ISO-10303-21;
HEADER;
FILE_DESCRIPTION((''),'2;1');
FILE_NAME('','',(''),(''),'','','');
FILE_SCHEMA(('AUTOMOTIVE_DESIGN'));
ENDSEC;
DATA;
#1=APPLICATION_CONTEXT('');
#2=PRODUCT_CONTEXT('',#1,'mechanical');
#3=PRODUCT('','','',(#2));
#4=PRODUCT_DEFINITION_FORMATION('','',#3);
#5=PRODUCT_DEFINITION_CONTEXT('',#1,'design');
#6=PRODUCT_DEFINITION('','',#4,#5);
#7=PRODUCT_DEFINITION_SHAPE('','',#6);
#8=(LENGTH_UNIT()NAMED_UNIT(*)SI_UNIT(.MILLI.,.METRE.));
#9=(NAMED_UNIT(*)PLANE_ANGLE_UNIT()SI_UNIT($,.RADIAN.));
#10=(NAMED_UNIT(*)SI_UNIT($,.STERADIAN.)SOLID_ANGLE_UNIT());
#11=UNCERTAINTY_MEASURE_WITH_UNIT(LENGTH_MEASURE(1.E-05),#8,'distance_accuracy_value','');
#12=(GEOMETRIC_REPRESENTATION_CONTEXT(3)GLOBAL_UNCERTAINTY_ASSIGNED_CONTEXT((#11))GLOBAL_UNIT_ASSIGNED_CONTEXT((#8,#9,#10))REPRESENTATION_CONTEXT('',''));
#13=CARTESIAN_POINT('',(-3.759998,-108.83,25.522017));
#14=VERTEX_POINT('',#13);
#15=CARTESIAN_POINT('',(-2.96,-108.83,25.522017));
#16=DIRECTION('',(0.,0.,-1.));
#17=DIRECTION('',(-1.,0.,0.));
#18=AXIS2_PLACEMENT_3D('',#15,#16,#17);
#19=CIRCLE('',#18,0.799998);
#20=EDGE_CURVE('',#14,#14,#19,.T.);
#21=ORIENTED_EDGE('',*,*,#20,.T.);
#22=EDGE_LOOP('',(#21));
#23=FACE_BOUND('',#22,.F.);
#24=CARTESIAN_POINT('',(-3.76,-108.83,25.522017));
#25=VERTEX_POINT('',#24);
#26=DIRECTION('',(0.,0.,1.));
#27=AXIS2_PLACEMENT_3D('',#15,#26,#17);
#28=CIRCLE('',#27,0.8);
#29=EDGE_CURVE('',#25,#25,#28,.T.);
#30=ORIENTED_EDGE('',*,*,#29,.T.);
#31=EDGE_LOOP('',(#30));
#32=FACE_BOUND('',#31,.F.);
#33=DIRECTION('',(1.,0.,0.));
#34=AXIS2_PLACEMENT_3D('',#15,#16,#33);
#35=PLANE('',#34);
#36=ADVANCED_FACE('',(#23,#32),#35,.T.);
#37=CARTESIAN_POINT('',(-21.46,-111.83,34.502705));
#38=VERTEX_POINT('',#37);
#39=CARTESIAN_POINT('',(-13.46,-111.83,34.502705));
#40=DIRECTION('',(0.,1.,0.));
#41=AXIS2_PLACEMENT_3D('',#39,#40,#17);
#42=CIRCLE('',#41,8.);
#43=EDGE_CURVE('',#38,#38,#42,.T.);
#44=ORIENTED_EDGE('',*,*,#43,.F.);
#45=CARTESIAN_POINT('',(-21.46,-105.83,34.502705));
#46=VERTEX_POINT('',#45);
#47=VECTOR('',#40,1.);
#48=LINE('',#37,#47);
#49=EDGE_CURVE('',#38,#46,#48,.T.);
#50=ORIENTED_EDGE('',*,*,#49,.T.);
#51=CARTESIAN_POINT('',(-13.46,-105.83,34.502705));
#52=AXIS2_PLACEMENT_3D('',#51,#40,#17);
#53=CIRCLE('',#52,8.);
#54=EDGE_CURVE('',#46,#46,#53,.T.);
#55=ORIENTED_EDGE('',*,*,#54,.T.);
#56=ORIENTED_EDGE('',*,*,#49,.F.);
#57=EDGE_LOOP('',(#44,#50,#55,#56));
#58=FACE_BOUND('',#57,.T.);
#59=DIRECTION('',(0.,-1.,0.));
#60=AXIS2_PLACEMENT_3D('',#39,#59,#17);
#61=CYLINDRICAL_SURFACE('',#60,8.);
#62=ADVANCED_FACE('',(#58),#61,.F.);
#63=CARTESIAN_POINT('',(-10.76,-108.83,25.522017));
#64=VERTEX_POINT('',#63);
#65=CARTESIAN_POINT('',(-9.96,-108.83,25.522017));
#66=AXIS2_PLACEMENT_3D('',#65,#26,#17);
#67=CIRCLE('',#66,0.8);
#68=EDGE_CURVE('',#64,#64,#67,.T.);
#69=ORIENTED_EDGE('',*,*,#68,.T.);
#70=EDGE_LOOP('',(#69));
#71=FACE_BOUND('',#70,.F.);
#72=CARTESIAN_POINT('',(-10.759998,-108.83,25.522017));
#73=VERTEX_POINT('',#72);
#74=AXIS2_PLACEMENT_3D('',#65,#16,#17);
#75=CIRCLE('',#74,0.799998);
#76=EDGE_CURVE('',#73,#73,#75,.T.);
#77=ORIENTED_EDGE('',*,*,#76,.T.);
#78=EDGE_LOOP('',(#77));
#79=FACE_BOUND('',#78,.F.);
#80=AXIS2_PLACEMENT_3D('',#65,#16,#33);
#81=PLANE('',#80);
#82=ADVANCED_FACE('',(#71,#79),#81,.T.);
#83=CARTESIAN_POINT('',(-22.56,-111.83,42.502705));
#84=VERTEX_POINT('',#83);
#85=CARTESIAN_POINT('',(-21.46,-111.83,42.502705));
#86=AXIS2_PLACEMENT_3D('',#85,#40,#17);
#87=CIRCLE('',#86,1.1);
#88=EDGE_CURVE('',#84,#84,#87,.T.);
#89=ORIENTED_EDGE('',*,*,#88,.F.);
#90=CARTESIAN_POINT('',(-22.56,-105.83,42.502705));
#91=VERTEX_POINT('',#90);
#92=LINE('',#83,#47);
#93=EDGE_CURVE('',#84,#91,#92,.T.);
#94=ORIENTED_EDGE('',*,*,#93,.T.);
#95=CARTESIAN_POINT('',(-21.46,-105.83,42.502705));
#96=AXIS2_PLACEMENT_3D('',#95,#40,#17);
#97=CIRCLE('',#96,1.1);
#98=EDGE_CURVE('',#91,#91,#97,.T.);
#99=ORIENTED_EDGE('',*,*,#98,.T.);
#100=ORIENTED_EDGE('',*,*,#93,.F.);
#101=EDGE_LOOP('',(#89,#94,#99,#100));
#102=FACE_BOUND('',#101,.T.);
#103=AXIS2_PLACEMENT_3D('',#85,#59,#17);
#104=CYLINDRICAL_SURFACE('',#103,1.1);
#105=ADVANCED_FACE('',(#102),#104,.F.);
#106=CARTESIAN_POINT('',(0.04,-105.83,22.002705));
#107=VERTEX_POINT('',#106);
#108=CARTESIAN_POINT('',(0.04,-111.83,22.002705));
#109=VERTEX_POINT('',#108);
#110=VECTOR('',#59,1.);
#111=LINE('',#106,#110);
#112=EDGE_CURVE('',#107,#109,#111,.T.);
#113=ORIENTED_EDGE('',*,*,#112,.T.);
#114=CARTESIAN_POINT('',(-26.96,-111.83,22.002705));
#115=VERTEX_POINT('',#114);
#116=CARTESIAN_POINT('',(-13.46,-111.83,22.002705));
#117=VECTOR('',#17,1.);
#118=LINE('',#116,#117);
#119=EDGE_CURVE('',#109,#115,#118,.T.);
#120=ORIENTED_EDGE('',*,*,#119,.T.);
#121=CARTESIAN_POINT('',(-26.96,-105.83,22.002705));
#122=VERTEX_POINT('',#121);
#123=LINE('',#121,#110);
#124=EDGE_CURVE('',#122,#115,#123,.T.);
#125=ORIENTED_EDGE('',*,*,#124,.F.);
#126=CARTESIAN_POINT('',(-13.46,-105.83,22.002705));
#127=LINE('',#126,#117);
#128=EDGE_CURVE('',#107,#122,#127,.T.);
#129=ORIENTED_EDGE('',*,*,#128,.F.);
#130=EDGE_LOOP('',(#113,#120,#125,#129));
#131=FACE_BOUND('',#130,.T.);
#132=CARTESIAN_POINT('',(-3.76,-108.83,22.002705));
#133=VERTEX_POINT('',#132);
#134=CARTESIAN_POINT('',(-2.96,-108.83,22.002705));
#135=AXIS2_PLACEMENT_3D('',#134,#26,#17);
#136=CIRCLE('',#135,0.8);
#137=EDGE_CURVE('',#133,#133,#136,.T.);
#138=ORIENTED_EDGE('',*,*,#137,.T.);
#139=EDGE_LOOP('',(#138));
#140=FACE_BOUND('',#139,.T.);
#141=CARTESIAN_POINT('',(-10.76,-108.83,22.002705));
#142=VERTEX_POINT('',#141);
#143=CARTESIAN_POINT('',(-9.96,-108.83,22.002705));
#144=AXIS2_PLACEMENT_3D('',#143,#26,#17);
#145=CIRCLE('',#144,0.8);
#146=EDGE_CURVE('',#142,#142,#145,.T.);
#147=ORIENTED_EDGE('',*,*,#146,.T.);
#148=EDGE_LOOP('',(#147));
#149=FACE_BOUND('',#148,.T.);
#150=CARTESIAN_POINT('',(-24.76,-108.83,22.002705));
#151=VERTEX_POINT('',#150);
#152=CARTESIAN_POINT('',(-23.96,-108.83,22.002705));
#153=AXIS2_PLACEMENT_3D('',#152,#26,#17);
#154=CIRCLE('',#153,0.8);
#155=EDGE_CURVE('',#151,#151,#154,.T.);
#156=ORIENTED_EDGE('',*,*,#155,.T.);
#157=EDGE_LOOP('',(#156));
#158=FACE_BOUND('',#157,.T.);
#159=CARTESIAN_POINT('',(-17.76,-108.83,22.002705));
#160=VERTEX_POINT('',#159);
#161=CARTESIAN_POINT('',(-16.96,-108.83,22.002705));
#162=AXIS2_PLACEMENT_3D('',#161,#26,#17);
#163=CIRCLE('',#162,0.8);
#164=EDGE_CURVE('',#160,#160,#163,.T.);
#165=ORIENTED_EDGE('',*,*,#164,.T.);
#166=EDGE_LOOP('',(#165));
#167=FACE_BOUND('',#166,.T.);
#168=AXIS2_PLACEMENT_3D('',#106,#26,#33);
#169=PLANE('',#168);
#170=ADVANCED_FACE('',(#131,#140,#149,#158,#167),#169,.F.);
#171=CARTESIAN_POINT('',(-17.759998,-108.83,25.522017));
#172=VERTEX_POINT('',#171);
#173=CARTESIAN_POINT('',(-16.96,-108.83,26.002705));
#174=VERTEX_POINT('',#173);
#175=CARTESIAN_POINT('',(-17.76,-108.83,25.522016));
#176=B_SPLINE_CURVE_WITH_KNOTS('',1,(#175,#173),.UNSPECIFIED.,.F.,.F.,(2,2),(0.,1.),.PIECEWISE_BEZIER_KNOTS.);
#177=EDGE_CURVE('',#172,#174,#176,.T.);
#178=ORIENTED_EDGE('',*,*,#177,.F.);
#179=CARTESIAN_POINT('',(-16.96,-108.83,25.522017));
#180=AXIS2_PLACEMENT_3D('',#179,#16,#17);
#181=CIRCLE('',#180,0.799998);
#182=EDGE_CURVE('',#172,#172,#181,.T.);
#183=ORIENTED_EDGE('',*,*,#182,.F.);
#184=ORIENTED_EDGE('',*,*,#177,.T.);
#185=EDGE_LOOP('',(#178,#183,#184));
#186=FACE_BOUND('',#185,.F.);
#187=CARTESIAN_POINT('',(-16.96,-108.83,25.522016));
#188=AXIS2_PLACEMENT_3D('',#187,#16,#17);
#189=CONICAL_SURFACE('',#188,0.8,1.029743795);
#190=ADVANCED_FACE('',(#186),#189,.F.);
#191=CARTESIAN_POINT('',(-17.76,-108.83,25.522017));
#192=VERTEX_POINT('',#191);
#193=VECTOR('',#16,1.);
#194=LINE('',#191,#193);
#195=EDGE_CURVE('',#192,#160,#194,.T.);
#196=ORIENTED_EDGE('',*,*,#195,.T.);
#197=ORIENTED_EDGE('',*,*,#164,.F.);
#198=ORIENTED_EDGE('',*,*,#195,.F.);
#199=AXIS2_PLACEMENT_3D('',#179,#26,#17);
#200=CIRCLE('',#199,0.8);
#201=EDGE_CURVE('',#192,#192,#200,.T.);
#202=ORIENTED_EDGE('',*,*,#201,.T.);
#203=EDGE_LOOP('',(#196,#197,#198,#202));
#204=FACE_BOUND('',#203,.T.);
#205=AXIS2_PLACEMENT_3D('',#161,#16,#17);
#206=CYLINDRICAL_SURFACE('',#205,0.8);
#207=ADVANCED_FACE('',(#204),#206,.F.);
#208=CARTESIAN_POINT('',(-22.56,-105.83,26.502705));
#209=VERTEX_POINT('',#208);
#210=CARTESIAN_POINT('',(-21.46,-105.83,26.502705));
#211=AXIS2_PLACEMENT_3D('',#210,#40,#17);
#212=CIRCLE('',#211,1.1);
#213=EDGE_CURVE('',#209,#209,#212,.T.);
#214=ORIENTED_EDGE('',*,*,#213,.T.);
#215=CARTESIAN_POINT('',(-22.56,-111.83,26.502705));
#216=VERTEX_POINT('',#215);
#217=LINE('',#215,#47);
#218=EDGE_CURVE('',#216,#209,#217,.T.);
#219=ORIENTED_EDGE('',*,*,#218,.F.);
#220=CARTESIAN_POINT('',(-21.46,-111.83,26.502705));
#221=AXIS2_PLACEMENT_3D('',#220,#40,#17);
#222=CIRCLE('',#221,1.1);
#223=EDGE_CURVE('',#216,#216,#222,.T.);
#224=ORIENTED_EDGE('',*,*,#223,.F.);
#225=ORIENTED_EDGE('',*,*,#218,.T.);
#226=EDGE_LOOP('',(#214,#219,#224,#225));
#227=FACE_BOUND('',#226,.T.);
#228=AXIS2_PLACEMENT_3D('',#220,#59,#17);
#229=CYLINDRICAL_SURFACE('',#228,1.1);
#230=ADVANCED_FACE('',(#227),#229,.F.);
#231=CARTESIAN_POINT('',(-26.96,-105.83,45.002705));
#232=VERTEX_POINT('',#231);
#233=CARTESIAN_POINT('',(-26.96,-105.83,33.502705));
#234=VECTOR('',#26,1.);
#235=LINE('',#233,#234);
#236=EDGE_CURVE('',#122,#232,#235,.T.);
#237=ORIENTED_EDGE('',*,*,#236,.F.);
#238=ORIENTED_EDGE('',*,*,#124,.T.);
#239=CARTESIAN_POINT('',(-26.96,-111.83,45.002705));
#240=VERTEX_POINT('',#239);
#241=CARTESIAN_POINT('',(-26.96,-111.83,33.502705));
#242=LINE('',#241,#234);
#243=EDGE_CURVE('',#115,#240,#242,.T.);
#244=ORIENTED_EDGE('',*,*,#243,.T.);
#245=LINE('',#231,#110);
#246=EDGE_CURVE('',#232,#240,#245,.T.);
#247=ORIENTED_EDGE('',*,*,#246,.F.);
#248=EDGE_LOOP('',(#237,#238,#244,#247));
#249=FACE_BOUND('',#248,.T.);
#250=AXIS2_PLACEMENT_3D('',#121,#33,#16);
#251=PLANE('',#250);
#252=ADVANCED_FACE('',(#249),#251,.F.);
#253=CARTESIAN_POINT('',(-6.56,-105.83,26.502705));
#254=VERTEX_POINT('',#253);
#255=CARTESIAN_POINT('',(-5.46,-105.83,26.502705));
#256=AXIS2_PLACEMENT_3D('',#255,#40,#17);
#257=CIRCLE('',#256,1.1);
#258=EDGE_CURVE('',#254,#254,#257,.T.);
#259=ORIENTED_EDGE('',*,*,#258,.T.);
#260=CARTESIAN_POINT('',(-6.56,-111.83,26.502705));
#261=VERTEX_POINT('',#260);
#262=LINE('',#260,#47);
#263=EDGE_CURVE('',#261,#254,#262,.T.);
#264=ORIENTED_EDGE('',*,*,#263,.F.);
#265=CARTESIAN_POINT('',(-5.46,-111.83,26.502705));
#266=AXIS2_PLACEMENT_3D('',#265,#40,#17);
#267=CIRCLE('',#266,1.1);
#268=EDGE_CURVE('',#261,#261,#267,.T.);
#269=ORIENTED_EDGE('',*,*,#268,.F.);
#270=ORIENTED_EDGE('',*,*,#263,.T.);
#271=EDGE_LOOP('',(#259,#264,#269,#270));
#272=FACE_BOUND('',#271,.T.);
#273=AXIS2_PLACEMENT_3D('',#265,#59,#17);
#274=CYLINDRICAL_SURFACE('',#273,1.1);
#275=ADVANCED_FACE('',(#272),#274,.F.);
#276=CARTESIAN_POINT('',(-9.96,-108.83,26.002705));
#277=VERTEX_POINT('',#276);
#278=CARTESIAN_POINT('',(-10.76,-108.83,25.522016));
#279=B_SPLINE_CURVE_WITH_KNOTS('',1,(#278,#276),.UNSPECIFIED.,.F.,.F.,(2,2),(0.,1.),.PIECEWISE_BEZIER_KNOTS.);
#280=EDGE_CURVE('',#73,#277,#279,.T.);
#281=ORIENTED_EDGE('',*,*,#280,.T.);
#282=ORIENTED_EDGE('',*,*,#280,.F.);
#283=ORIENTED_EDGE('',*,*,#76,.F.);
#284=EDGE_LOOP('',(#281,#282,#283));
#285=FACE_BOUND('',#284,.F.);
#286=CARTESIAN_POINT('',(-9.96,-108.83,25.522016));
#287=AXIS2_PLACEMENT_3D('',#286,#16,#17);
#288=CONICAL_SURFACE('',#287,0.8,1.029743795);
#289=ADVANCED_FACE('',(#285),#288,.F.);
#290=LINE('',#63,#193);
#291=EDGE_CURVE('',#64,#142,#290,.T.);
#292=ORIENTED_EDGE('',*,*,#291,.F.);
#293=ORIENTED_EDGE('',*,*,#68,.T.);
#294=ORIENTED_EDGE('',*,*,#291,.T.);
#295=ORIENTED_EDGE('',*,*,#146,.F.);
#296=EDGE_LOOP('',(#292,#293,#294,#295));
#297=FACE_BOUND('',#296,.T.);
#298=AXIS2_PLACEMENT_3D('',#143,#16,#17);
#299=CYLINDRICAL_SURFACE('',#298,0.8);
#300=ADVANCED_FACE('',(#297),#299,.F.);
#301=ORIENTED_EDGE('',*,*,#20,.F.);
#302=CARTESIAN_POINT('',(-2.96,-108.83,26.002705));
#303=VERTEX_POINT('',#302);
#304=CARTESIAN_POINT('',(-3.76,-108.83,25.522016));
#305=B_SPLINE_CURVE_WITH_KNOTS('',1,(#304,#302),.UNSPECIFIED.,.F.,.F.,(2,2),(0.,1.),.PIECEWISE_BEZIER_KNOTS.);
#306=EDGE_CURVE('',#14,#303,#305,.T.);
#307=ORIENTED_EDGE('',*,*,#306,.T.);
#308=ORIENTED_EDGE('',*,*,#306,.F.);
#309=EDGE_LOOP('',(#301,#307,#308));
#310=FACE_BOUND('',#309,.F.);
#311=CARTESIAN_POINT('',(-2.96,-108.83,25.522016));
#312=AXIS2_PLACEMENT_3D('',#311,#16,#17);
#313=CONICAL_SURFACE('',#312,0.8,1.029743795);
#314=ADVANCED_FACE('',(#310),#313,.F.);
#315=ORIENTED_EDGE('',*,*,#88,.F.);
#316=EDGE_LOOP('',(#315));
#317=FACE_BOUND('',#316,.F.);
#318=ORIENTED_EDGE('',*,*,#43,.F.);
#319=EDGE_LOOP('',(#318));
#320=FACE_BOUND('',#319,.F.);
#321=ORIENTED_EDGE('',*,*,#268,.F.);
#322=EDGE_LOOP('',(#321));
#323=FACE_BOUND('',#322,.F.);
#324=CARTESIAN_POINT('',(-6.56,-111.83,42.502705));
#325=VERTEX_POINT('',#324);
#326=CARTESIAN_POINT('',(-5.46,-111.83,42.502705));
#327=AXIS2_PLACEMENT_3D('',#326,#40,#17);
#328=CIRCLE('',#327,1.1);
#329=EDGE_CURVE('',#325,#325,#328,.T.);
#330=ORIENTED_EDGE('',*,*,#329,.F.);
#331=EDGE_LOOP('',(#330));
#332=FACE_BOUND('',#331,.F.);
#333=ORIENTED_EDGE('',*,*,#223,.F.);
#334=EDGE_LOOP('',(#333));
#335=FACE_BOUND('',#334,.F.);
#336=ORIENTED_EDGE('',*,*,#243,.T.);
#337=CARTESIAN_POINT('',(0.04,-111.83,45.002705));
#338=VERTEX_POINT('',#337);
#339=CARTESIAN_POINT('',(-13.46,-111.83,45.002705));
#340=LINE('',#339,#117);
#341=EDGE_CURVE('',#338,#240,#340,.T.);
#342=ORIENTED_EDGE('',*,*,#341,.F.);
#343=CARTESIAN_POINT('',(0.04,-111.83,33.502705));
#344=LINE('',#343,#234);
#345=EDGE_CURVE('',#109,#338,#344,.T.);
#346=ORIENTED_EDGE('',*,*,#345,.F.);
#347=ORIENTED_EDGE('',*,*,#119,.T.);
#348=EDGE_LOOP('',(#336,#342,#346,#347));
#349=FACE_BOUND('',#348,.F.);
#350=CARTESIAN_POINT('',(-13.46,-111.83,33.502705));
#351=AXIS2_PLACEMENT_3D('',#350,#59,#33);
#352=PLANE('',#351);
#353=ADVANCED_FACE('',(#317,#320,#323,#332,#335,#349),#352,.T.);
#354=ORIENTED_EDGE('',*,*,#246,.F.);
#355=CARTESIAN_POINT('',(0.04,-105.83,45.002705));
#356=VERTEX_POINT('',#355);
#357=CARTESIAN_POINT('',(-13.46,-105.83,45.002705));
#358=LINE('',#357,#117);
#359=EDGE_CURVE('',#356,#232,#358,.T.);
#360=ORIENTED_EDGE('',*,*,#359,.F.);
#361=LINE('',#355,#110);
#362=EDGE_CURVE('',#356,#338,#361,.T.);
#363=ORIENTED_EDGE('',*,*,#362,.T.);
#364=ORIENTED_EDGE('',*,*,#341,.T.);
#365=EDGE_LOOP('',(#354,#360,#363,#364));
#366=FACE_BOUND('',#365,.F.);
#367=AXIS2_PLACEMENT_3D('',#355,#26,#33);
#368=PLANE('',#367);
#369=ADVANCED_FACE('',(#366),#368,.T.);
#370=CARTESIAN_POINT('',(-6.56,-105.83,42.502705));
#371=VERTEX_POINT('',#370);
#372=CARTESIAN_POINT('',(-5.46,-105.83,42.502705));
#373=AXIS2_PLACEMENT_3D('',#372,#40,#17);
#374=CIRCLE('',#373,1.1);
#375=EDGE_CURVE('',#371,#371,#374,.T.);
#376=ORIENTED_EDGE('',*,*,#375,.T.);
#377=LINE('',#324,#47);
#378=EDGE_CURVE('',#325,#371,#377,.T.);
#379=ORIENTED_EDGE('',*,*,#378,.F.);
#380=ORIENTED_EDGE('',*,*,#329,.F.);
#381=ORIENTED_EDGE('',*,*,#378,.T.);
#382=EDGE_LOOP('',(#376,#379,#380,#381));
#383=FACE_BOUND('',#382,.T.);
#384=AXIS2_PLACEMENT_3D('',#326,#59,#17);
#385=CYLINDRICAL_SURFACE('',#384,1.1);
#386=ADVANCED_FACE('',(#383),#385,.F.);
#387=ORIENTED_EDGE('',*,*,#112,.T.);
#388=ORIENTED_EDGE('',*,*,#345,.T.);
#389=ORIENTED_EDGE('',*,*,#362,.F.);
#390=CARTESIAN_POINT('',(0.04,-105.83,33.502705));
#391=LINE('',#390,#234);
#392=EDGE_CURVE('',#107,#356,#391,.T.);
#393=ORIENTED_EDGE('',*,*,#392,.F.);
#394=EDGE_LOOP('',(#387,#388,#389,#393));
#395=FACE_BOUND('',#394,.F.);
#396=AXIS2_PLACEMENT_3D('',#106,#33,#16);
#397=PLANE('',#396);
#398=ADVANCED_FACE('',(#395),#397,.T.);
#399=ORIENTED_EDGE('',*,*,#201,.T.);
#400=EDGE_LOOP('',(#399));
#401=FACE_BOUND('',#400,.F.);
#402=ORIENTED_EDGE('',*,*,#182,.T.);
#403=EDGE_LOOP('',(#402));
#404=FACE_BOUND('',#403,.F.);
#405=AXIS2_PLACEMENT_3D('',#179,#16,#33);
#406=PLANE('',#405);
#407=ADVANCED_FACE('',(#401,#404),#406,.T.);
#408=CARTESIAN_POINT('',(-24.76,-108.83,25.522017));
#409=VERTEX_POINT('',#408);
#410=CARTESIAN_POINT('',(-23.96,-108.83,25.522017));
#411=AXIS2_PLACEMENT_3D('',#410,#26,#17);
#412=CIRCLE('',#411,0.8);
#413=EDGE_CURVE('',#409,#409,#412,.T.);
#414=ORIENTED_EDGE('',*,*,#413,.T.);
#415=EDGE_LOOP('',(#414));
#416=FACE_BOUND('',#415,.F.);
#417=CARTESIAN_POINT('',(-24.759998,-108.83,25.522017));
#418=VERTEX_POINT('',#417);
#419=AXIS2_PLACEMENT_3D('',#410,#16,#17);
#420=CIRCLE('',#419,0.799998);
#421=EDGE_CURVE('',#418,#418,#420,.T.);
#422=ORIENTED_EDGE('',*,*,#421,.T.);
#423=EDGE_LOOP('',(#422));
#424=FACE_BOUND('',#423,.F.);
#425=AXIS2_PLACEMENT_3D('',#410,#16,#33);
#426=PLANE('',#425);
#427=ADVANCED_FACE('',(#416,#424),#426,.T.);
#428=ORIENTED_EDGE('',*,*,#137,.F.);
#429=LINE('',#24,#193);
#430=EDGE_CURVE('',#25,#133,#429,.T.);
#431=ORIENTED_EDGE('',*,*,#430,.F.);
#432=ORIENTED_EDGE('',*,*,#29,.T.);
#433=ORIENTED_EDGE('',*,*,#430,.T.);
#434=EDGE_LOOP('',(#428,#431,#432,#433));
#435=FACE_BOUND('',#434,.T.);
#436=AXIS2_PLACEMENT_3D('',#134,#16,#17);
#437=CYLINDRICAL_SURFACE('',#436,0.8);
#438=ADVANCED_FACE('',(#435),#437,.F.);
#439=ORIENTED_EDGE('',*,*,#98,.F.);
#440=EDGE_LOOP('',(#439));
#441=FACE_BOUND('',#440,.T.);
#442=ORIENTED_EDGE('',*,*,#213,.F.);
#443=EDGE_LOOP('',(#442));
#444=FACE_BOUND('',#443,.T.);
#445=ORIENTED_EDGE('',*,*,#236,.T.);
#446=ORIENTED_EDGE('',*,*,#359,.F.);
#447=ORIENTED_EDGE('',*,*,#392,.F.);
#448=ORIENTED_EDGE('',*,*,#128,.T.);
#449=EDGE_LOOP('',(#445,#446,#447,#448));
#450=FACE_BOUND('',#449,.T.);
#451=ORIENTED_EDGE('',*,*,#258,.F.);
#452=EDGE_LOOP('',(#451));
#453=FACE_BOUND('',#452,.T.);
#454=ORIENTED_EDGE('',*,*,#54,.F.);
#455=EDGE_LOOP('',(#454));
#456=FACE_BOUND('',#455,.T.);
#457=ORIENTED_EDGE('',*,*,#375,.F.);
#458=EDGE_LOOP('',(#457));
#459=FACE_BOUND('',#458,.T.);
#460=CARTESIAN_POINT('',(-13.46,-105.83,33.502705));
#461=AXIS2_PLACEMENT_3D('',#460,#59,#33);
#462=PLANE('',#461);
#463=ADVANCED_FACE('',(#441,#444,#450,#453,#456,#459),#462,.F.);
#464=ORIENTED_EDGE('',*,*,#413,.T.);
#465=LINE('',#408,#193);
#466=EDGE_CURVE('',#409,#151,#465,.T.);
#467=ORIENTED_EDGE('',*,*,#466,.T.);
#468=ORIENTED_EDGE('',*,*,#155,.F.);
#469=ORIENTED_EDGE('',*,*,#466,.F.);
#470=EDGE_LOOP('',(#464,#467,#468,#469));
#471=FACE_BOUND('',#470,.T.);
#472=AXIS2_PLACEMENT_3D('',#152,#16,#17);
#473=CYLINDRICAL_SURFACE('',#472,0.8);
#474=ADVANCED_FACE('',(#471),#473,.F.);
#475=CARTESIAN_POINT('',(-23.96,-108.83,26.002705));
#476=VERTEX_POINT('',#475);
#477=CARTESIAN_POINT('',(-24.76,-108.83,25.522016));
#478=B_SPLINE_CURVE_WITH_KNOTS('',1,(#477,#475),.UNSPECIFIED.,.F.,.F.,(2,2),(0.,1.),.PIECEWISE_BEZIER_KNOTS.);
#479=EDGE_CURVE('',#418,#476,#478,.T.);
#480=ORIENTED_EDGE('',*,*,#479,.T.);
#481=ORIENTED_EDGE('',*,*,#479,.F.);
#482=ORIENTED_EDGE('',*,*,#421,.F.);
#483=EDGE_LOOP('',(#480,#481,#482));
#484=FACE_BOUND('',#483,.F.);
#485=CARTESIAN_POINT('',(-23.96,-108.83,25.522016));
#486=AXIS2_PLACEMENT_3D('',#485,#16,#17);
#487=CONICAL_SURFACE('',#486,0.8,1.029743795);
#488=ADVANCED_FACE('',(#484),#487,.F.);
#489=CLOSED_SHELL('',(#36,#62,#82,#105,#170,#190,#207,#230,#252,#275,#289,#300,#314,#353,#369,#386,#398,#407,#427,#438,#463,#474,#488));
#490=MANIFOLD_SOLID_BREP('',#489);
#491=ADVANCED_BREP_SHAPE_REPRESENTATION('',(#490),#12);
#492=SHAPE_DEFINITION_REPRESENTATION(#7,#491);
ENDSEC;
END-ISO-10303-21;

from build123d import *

# Parameters (mm, degrees)
SKETCH040_W    = 27
SKETCH040_H    = 23
PAD011_DEPTH   = 6
SKETCH041_R    = 8
HOLE013_DEPTH  = 25
SKETCH042_R    = 1.1
HOLE014_DEPTH  = 25
SKETCH043_R    = 0.8
HOLE015_DEPTH  = 3.519312
HOLE015_TIPS_R = 0.8


with BuildPart() as fix:
    # Sketch040 → Pad011 (new body)
    with BuildSketch(Plane.XZ):
        with Locations((-42.54, 19.462705)):
            Rectangle(SKETCH040_W, SKETCH040_H)
    extrude(amount=PAD011_DEPTH)

    # Sketch041 (on Face6 of Pad011) → Hole013 (cut)
    with BuildSketch(Plane.XZ.offset(6)):
        with Locations((-42.54, 20.462705)):
            Circle(SKETCH041_R)
    extrude(amount=-HOLE013_DEPTH, mode=Mode.SUBTRACT)

    # Sketch042 (on Face5 of Hole013) → Hole014 (cut)
    with BuildSketch(Plane.XZ.offset(6)):
        with Locations((-50.54, 28.462705)):
            Circle(SKETCH042_R)
        with Locations((-34.54, 28.462705)):
            Circle(SKETCH042_R)
        with Locations((-50.54, 12.462705)):
            Circle(SKETCH042_R)
        with Locations((-34.54, 12.462705)):
            Circle(SKETCH042_R)
    extrude(amount=-HOLE014_DEPTH, mode=Mode.SUBTRACT)

    # Sketch043 (on Face6 of Hole014) → Hole015 (cut)
    with BuildSketch(Plane(origin=(0, 0, 7.962705), x_dir=(1, 0, 0), z_dir=(0, 0, -1))):
        with Locations((-53.04, 3)):
            Circle(SKETCH043_R)
        with Locations((-46.04, 3)):
            Circle(SKETCH043_R)
        with Locations((-39.04, 3)):
            Circle(SKETCH043_R)
        with Locations((-32.04, 3)):
            Circle(SKETCH043_R)
    extrude(amount=-HOLE015_DEPTH, mode=Mode.SUBTRACT)

    # Hole015 tips → Hole015 tip 1 section 0
    with BuildSketch(Plane(origin=(0, 0, 11.482016), x_dir=(1, 0, 0), z_dir=(0, 0, -1)), mode=Mode.PRIVATE) as hole015_tip_1_s0:
        with Locations((-53.04, 3)):
            Circle(HOLE015_TIPS_R)
    loft([hole015_tip_1_s0.sketch, Vertex(-53.04, -3, 11.962705)], mode=Mode.SUBTRACT)

    # Hole015 tips → Hole015 tip 2 section 0
    with BuildSketch(Plane(origin=(0, 0, 11.482016), x_dir=(1, 0, 0), z_dir=(0, 0, -1)), mode=Mode.PRIVATE) as hole015_tip_2_s0:
        with Locations((-46.04, 3)):
            Circle(HOLE015_TIPS_R)
    loft([hole015_tip_2_s0.sketch, Vertex(-46.04, -3, 11.962705)], mode=Mode.SUBTRACT)

    # Hole015 tips → Hole015 tip 3 section 0
    with BuildSketch(Plane(origin=(0, 0, 11.482016), x_dir=(1, 0, 0), z_dir=(0, 0, -1)), mode=Mode.PRIVATE) as hole015_tip_3_s0:
        with Locations((-39.04, 3)):
            Circle(HOLE015_TIPS_R)
    loft([hole015_tip_3_s0.sketch, Vertex(-39.04, -3, 11.962705)], mode=Mode.SUBTRACT)

    # Hole015 tips → Hole015 tip 4 section 0
    with BuildSketch(Plane(origin=(0, 0, 11.482016), x_dir=(1, 0, 0), z_dir=(0, 0, -1)), mode=Mode.PRIVATE) as hole015_tip_4_s0:
        with Locations((-32.04, 3)):
            Circle(HOLE015_TIPS_R)
    loft([hole015_tip_4_s0.sketch, Vertex(-32.04, -3, 11.962705)], mode=Mode.SUBTRACT)


with BuildPart() as fix_1:
    # Body006021004 placement: moved
    add(fix.part.moved(Location((0, -105.83, -1.96))))


with BuildPart() as part_mirroring001:
    # Part__Mirroring001: instance of Fix
    add(fix_1.part.mirror(Plane(origin=(0, 0, 0), x_dir=(0, -1, 0), z_dir=(1, 0, 0))))


with BuildPart() as part_mirroring001_1:
    # Part__Mirroring001 placement: moved
    add(part_mirroring001.part.moved(Location((-56, 0, 16))))


solid = part_mirroring001_1.part
